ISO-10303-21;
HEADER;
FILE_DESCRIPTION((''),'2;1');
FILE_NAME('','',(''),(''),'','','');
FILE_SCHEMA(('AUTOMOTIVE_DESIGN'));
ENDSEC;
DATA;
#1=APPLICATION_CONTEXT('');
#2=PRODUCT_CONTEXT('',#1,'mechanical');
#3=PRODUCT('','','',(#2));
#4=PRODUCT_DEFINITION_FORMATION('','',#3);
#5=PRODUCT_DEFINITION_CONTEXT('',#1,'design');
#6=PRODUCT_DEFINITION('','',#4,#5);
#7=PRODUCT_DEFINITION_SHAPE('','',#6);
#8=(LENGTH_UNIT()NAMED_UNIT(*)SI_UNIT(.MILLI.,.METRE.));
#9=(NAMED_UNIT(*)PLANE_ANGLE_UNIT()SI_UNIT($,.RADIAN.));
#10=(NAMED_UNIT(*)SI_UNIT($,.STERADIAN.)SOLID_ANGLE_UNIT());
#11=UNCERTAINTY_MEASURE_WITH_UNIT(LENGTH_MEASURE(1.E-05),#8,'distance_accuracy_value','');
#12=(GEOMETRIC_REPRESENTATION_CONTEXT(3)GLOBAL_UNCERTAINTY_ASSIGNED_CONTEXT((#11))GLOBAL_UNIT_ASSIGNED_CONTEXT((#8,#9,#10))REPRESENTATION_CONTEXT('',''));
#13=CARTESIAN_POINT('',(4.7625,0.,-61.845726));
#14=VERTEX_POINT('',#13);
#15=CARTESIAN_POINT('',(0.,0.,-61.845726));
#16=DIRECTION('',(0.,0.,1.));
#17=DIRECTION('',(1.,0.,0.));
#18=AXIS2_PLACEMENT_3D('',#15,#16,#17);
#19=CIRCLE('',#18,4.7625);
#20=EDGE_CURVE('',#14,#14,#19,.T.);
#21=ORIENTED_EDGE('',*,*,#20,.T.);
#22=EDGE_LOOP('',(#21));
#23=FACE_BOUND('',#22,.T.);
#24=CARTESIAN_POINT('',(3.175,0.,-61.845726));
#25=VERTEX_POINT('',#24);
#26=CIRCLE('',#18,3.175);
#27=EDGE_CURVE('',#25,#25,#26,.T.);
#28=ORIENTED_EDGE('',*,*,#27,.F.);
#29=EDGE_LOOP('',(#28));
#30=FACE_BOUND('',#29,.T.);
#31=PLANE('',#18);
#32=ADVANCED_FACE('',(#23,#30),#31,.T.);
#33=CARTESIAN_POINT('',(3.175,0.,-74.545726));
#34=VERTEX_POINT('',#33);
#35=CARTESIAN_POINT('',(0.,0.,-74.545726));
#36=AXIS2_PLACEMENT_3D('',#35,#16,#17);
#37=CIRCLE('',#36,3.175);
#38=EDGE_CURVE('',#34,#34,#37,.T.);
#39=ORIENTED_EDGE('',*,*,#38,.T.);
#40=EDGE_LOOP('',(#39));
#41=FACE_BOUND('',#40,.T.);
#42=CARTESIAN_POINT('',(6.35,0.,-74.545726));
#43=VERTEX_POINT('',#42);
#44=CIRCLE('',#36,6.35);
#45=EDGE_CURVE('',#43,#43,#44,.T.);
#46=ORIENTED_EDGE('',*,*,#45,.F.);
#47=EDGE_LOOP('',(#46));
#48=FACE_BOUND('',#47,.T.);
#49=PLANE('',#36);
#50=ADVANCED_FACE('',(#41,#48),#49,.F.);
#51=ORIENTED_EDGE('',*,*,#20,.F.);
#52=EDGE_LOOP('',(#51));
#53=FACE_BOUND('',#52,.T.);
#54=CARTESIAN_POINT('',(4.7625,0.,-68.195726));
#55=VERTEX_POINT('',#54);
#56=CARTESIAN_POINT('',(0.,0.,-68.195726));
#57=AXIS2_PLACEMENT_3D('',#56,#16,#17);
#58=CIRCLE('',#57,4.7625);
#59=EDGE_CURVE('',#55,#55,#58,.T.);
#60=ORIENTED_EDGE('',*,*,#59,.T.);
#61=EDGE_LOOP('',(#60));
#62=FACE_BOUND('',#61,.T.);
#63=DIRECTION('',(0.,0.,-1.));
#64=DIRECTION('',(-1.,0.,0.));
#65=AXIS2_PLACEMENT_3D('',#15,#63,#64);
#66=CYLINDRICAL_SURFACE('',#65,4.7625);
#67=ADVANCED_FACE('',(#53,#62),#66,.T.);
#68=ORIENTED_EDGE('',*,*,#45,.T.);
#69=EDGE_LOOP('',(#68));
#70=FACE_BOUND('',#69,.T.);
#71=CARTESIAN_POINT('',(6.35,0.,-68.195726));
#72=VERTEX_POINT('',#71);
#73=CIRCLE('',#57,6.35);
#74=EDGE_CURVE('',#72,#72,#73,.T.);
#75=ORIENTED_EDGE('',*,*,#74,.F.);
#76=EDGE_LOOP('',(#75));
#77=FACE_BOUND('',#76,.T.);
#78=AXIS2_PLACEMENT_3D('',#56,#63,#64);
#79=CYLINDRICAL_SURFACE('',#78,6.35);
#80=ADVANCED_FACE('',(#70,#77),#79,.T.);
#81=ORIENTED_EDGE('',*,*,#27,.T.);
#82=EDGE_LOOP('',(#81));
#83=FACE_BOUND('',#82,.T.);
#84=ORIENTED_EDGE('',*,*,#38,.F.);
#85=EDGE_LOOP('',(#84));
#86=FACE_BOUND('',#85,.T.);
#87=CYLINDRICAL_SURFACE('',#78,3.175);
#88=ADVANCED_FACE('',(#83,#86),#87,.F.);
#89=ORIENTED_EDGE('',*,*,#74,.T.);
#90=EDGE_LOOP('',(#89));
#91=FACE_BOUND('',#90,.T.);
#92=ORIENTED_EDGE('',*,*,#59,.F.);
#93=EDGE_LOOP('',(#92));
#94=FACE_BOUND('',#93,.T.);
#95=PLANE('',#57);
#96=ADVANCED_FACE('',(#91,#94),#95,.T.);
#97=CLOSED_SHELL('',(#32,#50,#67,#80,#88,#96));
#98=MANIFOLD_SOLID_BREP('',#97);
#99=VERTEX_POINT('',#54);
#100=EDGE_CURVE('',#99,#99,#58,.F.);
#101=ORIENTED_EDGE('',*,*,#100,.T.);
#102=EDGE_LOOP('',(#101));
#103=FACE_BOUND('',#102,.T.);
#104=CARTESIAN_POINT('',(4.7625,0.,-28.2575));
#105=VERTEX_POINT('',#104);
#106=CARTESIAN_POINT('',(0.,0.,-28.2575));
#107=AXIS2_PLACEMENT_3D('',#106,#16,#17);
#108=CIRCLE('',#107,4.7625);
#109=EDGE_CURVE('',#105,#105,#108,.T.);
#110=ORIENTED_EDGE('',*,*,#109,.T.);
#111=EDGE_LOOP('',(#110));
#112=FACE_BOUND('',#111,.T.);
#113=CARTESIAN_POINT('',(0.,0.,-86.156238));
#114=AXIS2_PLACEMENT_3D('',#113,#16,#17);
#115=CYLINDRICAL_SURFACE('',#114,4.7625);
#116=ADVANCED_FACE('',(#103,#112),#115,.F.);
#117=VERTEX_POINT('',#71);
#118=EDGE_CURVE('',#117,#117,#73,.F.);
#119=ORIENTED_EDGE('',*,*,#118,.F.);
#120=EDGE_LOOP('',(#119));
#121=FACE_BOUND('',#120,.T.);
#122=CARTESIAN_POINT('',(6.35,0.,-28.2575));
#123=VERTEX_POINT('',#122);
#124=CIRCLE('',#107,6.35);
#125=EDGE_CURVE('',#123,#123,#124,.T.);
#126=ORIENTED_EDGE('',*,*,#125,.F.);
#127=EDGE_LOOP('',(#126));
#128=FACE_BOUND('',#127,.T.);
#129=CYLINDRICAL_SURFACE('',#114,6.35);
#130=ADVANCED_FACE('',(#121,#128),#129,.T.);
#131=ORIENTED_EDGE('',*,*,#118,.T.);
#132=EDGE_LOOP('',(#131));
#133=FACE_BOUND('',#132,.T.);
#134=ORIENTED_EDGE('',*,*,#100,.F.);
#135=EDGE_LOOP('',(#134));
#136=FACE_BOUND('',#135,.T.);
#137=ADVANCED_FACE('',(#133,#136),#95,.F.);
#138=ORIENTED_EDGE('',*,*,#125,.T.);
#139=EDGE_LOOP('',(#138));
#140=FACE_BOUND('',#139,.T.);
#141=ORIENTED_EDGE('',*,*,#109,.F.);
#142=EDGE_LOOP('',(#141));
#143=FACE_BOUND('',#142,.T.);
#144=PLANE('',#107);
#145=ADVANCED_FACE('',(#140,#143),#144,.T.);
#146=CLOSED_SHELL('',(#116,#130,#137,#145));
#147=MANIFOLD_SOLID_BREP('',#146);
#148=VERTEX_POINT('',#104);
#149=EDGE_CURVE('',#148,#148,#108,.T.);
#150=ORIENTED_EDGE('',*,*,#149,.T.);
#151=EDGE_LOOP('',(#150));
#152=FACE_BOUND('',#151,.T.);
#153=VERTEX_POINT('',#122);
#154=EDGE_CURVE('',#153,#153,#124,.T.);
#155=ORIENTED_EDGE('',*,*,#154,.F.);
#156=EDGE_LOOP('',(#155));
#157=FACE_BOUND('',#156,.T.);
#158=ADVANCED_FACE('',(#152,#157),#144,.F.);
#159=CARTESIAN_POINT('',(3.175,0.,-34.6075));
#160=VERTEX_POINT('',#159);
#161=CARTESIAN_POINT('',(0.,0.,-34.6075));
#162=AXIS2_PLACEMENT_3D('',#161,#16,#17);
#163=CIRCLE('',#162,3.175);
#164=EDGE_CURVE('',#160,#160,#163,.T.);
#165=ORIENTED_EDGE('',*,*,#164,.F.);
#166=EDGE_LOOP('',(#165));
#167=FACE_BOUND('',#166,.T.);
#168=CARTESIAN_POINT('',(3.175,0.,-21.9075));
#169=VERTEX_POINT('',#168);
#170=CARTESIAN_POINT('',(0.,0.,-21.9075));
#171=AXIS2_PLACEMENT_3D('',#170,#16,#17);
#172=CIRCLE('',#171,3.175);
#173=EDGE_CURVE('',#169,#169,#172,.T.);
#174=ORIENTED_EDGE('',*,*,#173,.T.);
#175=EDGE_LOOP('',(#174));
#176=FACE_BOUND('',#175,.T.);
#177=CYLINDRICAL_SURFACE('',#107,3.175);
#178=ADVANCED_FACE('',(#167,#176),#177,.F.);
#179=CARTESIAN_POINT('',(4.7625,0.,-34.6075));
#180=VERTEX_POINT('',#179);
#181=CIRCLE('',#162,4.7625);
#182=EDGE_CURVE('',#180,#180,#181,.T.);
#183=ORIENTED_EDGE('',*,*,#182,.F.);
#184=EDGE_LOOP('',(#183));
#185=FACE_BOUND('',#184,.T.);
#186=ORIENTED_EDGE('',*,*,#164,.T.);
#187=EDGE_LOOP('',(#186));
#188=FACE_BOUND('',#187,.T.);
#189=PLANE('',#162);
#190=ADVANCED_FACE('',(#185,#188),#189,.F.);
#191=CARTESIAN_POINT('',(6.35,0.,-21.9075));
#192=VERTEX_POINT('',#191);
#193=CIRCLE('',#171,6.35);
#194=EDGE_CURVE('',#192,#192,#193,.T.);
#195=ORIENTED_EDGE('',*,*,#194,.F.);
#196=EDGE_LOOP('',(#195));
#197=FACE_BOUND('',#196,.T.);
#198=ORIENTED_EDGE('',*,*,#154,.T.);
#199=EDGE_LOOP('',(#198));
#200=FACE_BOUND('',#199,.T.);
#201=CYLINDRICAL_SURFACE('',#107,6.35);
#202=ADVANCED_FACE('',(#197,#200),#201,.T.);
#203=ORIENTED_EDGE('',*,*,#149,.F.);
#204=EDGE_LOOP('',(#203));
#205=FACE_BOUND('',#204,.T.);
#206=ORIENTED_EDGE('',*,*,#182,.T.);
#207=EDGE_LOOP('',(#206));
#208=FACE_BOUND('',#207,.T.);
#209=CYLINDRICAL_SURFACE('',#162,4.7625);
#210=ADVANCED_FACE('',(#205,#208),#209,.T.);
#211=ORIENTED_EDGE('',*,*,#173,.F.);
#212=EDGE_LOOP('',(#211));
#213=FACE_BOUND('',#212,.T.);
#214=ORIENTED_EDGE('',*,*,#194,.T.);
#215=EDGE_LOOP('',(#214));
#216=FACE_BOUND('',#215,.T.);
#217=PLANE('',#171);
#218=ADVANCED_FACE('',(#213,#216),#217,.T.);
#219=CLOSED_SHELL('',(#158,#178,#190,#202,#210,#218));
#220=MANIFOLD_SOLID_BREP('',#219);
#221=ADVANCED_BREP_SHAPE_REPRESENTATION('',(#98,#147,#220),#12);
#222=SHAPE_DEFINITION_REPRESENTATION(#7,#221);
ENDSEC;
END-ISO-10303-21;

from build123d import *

# Parameters (mm, degrees)
THREADED_START            = -21.9075
SKETCH2_R                 = 6.35
SKETCH2_R_2               = 4.7625
SKETCH2_R_3               = 3.175
THREADED_INSERT_1_1_DEPTH = 6.35
THREADED_START_2          = -28.2575
SKETCH2_5_R               = 4.7625
SKETCH2_5_R_2             = 3.175
THREADED_INSERT_1_2_DEPTH = 6.35
BOSS_EXTRUDE4_START       = -74.545726
SKETCH2_7_R               = 6.35
SKETCH2_7_R_2             = 4.7625
SKETCH2_7_R_3             = 3.175
BOSS_EXTRUDE4_DEPTH       = 6.35
BOSS_EXTRUDE5_START       = -61.845726
SKETCH2_8_R               = 4.7625
SKETCH2_8_R_2             = 3.175
BOSS_EXTRUDE5_DEPTH       = 6.35
BOSS_EXTRUDE6_START       = -28.2575
SKETCH2_9_R               = 6.35
SKETCH2_9_R_2             = 4.7625
BOSS_EXTRUDE6_DEPTH       = 39.938226194


with BuildPart() as part:
    # Sketch2 → Threaded Insert 1-1 (new body)
    # profile 1 of 2: a face of its own
    with BuildSketch(Plane.XY.offset(THREADED_START)):
        Circle(SKETCH2_R)
        Circle(SKETCH2_R_2, mode=Mode.SUBTRACT)
    # profile 2 of 2: a face of its own
    with BuildSketch(Plane.XY.offset(THREADED_START)):
        Circle(SKETCH2_R_2)
        Circle(SKETCH2_R_3, mode=Mode.SUBTRACT)
    extrude(amount=-THREADED_INSERT_1_1_DEPTH)

    # Sketch2<5> → Threaded Insert 1-2 (add)
    with BuildSketch(Plane.XY.offset(THREADED_START_2)):
        Circle(SKETCH2_5_R)
        Circle(SKETCH2_5_R_2, mode=Mode.SUBTRACT)
    extrude(amount=-THREADED_INSERT_1_2_DEPTH)


with BuildPart() as body_2:
    # Sketch2<7> → Boss-Extrude4 (new body)
    # profile 1 of 2: a face of its own
    with BuildSketch(Plane.XY.offset(BOSS_EXTRUDE4_START)):
        Circle(SKETCH2_7_R)
        Circle(SKETCH2_7_R_2, mode=Mode.SUBTRACT)
    # profile 2 of 2: a face of its own
    with BuildSketch(Plane.XY.offset(BOSS_EXTRUDE4_START)):
        Circle(SKETCH2_7_R_2)
        Circle(SKETCH2_7_R_3, mode=Mode.SUBTRACT)
    extrude(amount=BOSS_EXTRUDE4_DEPTH)

    # Sketch2<8> → Boss-Extrude5 (add)
    with BuildSketch(Plane.XY.offset(BOSS_EXTRUDE5_START)):
        Circle(SKETCH2_8_R)
        Circle(SKETCH2_8_R_2, mode=Mode.SUBTRACT)
    extrude(amount=-BOSS_EXTRUDE5_DEPTH)


with BuildPart() as body_3:
    # Sketch2<9> → Boss-Extrude6 (new body)
    with BuildSketch(Plane.XY.offset(BOSS_EXTRUDE6_START)):
        Circle(SKETCH2_9_R)
        Circle(SKETCH2_9_R_2, mode=Mode.SUBTRACT)
    extrude(amount=-BOSS_EXTRUDE6_DEPTH)


solid = Compound([part.part, body_2.part, body_3.part])
